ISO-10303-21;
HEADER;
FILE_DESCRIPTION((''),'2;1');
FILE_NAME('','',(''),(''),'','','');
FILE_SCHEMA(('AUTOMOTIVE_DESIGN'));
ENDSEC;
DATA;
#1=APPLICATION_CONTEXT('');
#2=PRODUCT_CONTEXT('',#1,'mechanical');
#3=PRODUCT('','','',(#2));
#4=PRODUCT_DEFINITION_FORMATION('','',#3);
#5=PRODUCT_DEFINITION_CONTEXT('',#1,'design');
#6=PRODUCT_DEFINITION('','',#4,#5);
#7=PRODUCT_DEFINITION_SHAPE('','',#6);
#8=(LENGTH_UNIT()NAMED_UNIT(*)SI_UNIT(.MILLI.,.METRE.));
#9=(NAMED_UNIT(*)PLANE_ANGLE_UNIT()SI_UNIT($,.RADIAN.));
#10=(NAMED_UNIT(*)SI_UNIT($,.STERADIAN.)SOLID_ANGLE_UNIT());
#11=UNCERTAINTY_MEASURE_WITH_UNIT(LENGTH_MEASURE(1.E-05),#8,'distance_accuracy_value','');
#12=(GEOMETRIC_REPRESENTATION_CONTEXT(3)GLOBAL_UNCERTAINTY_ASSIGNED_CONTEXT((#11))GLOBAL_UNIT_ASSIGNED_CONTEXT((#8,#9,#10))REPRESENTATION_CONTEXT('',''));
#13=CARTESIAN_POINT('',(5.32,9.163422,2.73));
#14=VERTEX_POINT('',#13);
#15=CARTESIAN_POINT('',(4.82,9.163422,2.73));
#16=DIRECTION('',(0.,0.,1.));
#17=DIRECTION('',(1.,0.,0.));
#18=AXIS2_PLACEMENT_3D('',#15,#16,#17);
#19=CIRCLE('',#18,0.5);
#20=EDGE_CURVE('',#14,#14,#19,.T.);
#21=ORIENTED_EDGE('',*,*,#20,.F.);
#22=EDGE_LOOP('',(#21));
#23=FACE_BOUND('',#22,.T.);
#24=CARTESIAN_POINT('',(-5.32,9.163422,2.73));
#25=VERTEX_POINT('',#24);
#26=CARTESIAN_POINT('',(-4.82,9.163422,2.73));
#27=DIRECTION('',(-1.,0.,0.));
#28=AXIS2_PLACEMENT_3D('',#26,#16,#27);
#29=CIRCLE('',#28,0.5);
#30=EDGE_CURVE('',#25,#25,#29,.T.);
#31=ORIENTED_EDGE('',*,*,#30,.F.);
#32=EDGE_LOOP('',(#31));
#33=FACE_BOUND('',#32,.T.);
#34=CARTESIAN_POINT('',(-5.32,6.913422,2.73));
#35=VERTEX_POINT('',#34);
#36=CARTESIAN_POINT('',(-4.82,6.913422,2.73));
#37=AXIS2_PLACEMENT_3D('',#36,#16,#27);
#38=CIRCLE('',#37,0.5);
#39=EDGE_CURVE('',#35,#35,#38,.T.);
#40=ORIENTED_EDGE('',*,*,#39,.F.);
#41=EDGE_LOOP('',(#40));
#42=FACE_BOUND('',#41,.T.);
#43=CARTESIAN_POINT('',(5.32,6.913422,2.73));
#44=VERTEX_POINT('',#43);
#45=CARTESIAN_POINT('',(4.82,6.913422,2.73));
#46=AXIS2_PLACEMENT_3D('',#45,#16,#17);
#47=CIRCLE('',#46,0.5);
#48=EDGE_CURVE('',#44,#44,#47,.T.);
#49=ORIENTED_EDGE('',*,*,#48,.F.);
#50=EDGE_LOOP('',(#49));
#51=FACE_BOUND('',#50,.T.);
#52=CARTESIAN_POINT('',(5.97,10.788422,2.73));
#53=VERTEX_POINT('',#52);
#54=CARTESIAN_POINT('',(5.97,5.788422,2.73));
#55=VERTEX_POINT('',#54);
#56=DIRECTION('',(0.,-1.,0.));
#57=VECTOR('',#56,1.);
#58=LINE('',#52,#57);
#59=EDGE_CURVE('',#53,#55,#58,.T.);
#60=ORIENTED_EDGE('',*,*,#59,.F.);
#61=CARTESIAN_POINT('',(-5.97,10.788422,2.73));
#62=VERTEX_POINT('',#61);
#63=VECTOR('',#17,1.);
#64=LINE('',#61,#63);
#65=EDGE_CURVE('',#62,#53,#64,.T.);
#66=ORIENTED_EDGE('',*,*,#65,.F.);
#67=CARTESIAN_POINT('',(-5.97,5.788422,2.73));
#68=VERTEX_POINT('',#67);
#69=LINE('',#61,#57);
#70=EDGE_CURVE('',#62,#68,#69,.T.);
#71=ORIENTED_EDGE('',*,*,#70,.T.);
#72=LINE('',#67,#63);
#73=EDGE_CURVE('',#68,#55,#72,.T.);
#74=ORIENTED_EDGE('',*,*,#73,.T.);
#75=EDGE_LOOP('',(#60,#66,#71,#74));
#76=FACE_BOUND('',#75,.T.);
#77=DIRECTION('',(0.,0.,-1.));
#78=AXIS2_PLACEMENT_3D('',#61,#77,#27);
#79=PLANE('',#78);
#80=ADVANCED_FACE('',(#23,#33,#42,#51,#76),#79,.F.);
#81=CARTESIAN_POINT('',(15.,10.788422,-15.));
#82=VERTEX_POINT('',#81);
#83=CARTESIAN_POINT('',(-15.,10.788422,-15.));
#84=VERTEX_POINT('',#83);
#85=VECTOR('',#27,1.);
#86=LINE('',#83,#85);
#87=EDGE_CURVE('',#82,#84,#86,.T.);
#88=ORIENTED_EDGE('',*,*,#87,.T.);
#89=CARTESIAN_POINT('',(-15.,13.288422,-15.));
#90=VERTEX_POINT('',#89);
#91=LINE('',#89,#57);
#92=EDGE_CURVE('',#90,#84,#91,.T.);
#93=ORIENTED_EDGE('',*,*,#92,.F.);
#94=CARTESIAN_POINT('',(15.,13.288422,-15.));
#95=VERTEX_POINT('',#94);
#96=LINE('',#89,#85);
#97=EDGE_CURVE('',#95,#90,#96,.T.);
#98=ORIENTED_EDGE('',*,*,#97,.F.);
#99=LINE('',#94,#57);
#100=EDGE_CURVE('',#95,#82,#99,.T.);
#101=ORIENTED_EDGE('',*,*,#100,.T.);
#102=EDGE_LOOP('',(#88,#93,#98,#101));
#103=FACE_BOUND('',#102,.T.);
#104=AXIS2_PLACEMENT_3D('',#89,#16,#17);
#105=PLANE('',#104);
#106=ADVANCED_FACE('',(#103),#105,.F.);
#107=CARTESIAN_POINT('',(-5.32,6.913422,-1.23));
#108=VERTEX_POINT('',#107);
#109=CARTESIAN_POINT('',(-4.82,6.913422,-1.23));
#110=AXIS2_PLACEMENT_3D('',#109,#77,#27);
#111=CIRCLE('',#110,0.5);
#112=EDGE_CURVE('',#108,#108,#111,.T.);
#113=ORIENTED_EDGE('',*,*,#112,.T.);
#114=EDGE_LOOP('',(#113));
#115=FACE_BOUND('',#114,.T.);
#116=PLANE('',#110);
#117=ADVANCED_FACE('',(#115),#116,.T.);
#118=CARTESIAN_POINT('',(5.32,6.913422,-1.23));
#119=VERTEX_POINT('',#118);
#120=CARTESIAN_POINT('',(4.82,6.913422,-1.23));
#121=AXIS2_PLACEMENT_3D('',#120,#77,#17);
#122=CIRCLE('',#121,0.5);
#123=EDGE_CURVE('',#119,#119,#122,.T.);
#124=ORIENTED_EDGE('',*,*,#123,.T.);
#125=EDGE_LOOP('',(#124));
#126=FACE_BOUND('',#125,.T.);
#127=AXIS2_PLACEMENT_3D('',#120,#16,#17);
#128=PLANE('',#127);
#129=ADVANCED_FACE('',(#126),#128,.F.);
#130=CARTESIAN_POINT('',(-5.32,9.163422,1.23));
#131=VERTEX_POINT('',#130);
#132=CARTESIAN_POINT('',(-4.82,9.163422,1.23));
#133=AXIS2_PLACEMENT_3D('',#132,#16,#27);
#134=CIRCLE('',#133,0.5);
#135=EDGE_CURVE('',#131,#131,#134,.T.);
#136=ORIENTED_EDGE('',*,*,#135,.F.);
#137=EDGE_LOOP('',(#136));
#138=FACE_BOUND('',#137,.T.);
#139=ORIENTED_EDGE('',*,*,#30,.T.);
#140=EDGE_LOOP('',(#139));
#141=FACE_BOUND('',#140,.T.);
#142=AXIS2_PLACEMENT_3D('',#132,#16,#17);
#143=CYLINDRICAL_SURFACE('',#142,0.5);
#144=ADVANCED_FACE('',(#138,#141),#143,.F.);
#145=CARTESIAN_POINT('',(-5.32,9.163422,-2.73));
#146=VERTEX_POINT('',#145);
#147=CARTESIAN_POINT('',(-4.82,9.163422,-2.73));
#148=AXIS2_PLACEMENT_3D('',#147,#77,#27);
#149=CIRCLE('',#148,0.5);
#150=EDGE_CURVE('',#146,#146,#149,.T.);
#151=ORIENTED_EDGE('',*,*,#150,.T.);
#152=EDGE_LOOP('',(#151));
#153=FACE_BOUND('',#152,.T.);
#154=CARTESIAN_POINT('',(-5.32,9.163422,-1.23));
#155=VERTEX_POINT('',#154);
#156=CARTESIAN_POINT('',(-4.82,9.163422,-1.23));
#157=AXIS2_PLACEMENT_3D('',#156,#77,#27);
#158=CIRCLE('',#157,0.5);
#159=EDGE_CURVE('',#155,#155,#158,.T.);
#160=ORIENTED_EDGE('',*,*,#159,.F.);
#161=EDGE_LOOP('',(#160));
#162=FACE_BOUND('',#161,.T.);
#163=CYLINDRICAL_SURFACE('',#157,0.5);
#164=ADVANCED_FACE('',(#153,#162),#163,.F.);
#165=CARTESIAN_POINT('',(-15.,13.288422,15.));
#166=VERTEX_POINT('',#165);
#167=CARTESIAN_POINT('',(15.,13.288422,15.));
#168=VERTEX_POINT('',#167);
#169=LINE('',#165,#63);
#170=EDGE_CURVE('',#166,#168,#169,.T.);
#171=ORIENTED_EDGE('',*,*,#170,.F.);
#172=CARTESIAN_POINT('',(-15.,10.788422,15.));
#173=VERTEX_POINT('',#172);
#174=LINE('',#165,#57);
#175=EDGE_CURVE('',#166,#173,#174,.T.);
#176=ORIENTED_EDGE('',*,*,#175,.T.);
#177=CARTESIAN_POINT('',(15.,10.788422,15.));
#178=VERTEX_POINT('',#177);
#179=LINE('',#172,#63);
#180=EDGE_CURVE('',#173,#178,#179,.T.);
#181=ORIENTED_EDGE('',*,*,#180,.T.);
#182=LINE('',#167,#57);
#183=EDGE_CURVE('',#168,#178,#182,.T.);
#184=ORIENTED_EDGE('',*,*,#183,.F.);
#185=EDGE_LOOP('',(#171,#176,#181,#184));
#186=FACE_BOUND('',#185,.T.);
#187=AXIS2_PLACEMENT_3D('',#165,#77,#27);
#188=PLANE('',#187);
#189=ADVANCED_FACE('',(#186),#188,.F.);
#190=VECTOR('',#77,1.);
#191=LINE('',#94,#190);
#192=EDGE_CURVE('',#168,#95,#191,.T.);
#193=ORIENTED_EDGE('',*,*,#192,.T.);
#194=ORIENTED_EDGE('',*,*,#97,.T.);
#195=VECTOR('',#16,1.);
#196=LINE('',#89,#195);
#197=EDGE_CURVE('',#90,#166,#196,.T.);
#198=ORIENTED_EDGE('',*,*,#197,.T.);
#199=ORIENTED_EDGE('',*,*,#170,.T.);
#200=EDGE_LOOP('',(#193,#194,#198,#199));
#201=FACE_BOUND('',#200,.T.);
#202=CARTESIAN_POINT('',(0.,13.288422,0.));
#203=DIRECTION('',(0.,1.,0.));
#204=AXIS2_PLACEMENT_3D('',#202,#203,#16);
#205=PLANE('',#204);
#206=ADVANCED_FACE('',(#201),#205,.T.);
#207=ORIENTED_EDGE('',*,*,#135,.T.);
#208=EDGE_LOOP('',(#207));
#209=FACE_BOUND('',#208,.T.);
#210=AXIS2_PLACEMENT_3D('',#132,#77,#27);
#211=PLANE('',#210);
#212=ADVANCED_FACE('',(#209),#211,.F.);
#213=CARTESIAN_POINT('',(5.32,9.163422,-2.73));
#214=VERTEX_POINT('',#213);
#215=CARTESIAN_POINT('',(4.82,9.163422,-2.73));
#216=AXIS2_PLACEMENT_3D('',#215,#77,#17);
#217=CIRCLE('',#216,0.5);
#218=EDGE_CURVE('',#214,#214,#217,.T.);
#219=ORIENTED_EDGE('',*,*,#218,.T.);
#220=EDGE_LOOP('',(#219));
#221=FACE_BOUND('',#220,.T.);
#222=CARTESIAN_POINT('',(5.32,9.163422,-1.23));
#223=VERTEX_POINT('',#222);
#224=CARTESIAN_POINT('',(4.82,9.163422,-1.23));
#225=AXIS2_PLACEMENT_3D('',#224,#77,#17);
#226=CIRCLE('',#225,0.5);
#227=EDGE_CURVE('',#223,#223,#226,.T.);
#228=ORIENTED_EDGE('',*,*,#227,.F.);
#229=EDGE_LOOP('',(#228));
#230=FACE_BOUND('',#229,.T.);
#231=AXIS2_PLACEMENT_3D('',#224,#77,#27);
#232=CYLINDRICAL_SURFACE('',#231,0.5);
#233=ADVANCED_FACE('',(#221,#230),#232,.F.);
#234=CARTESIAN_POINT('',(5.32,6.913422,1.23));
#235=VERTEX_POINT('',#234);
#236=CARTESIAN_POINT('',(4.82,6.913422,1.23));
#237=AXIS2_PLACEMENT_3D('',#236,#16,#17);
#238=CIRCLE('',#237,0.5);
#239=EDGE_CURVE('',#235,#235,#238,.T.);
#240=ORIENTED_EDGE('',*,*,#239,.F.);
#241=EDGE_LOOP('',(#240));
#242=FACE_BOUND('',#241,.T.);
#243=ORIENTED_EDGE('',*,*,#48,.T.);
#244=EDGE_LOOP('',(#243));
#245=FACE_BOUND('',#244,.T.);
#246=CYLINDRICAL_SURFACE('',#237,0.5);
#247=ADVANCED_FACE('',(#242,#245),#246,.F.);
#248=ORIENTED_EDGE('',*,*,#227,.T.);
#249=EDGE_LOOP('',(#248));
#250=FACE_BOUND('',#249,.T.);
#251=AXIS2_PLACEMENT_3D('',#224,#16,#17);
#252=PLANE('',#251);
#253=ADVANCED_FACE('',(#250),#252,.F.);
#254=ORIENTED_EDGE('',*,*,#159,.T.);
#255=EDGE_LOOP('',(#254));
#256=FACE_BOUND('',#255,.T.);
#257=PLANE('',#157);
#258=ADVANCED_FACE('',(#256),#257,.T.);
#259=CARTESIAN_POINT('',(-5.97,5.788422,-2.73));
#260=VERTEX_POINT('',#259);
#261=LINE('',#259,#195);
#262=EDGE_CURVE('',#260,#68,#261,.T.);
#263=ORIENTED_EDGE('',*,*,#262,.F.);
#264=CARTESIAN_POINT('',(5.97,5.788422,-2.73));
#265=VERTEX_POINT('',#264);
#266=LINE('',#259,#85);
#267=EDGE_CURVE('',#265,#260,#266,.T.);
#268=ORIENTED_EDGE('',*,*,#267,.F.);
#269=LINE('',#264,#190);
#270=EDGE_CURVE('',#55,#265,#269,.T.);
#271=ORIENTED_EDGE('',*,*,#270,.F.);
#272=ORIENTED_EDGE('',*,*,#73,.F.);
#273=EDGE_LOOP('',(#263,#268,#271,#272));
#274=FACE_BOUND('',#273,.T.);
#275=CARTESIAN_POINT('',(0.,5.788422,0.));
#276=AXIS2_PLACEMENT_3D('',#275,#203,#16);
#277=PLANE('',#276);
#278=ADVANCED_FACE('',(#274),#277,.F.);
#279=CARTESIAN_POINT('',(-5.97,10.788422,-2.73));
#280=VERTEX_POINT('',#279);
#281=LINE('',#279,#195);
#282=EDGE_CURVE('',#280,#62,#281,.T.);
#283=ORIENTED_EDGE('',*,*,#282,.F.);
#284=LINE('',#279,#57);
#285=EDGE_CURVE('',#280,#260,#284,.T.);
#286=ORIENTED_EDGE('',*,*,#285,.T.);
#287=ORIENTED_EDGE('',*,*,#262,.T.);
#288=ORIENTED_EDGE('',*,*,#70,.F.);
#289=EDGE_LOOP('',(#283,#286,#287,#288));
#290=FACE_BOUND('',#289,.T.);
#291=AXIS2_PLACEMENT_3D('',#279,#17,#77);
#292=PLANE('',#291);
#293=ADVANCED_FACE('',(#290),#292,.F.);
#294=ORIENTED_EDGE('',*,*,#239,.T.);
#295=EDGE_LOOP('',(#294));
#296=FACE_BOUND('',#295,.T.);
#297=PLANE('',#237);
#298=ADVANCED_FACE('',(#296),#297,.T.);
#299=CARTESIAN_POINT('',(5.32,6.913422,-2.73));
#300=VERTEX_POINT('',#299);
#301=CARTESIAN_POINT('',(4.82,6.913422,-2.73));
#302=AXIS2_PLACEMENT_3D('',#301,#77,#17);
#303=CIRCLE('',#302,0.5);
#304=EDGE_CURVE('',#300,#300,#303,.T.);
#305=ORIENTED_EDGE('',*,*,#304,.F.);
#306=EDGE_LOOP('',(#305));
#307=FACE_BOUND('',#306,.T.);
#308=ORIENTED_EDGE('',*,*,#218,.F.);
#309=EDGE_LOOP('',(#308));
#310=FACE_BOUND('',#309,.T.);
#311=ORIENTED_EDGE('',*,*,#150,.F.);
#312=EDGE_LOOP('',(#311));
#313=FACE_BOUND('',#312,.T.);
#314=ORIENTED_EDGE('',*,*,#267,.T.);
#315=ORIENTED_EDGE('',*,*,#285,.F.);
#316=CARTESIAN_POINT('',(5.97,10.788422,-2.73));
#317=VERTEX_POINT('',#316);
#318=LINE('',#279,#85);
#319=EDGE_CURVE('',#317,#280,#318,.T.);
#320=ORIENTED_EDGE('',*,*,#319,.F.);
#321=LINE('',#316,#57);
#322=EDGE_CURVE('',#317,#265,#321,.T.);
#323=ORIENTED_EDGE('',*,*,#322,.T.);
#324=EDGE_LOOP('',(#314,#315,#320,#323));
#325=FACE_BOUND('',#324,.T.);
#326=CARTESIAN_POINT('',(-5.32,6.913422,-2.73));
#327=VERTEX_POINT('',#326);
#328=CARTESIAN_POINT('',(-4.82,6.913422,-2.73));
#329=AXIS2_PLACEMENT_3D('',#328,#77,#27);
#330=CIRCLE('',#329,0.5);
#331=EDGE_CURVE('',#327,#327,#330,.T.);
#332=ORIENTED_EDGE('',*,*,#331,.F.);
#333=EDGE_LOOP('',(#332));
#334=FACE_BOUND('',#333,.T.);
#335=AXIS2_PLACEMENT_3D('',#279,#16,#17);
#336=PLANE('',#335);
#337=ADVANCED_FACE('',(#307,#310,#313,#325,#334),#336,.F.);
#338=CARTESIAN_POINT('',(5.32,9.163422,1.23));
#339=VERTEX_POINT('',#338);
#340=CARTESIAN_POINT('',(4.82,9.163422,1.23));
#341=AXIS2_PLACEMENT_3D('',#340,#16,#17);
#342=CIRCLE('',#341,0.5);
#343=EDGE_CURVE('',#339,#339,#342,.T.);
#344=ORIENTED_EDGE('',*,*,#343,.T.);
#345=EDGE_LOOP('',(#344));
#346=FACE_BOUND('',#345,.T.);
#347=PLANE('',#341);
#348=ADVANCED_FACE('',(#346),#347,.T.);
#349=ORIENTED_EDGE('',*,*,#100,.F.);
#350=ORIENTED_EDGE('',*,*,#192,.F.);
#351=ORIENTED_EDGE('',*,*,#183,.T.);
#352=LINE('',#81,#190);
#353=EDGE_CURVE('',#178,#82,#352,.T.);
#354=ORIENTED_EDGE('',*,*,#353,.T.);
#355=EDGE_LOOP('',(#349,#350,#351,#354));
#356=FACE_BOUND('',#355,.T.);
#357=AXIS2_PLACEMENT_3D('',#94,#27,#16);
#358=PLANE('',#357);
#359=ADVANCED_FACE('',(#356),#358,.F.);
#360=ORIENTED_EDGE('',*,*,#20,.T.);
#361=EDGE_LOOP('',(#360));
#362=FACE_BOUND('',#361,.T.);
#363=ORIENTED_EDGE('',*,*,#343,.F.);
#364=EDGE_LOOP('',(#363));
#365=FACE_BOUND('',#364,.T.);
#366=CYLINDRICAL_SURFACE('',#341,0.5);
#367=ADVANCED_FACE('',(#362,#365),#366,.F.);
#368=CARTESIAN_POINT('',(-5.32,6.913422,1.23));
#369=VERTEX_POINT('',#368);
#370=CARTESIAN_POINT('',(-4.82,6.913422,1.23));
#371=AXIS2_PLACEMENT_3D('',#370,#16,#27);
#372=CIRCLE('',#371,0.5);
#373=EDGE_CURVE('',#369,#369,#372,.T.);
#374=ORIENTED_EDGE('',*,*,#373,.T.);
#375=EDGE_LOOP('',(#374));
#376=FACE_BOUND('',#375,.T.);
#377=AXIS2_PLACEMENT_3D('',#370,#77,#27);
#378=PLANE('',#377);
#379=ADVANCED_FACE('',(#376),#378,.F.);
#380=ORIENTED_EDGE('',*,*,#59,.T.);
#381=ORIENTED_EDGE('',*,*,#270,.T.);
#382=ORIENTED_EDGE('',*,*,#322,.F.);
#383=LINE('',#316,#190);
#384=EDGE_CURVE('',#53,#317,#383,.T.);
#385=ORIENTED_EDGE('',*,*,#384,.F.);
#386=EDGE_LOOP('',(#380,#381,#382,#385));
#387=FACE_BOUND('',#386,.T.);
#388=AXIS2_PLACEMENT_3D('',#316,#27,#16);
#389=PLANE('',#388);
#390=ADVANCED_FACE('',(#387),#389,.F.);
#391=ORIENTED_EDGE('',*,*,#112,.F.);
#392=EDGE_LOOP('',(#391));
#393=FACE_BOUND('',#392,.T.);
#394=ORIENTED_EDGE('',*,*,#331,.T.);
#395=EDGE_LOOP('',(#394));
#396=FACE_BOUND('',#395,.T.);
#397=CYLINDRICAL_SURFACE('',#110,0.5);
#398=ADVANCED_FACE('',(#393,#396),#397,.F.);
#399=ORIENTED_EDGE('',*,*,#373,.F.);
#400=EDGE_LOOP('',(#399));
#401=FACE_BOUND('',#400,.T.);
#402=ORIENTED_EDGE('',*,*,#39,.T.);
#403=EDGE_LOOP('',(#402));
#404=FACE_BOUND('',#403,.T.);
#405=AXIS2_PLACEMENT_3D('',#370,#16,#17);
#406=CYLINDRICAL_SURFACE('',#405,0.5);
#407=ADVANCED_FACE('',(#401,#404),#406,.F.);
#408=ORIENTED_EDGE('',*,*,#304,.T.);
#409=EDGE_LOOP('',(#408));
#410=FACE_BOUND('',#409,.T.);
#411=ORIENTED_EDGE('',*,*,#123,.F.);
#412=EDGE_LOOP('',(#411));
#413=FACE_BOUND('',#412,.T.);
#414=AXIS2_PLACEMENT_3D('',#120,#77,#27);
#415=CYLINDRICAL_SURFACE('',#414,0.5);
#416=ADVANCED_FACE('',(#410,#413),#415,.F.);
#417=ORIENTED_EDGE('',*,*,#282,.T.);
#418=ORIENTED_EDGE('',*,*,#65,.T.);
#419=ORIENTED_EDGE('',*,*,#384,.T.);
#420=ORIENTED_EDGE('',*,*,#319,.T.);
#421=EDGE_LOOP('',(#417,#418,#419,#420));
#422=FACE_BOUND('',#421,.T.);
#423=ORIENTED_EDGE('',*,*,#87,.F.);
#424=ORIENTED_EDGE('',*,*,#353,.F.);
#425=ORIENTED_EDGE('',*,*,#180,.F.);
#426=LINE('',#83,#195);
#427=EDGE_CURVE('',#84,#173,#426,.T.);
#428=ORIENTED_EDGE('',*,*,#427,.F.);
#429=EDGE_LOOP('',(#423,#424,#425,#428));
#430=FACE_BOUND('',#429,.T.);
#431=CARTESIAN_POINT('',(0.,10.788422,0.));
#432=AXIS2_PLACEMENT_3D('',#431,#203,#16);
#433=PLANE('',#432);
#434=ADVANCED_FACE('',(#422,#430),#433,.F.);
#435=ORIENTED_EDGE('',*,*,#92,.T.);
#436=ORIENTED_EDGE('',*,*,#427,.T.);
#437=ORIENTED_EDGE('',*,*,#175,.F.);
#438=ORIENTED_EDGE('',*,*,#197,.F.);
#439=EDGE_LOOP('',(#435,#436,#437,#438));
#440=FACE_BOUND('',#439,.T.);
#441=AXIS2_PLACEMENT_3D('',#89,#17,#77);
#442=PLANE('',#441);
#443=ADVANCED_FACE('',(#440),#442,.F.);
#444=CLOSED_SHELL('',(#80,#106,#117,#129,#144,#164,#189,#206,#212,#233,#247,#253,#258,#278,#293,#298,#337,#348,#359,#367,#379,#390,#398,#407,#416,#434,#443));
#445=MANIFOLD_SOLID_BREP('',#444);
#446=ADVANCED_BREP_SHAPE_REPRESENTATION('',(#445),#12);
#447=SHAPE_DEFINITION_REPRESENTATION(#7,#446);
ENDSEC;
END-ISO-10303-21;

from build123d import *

# Parameters (mm, degrees)
IZIM1_W                     = 23.88
IZIM1_H                     = 10.92
Y_KSEKLIK_EKSTR_ZYON5_DEPTH = 10
IZIM4_W                     = 60
IZIM4_H                     = 60
Y_KSEKLIK_EKSTR_ZYON6_DEPTH = 5
IZIM5_R                     = 1
KES_EKSTR_ZYON1_DEPTH       = 3
IZIM6_R                     = 1
KES_EKSTR_ZYON2_DEPTH       = 3
L_EK1_SCALE                 = 0.5


with BuildPart() as part:
    # Çizim1 → Yükseklik-Ekstrüzyon5 (new body)
    with BuildSketch(Plane(origin=(0, 0, 0), x_dir=(1, 0, 0), z_dir=(0, 1, 0))):
        Rectangle(IZIM1_W, IZIM1_H)
    extrude(amount=Y_KSEKLIK_EKSTR_ZYON5_DEPTH)

    # Çizim4 → Yükseklik-Ekstrüzyon6 (add)
    with BuildSketch(Plane(origin=(0, 10, 0), x_dir=(1, 0, 0), z_dir=(0, 1, 0))):
        Rectangle(IZIM4_W, IZIM4_H)
    extrude(amount=Y_KSEKLIK_EKSTR_ZYON6_DEPTH)

    # Çizim5 → Kes-Ekstrüzyon1 (cut)
    with BuildSketch(Plane.XY.offset(5.46)):
        with Locations((9.64, 2.25)):
            Circle(IZIM5_R)
        with Locations((9.64, 6.75)):
            Circle(IZIM5_R)
        with Locations((-9.64, 6.75)):
            Circle(IZIM5_R)
        with Locations((-9.64, 2.25)):
            Circle(IZIM5_R)
    extrude(amount=-KES_EKSTR_ZYON1_DEPTH, mode=Mode.SUBTRACT)

    # Çizim6 → Kes-Ekstrüzyon2 (cut)
    with BuildSketch(Plane(origin=(0, 0, -5.46), x_dir=(-1, 0, 0), z_dir=(0, 0, -1))):
        with Locations((9.64, 2.25)):
            Circle(IZIM6_R)
        with Locations((9.64, 6.75)):
            Circle(IZIM6_R)
        with Locations((-9.64, 6.75)):
            Circle(IZIM6_R)
        with Locations((-9.64, 2.25)):
            Circle(IZIM6_R)
    extrude(amount=-KES_EKSTR_ZYON2_DEPTH, mode=Mode.SUBTRACT)


with BuildPart() as part_1:
    # Ölçek1: scaled about (0, 11.57684301, 0)
    add(part.part.scale(L_EK1_SCALE).moved(Location((0, 5.788421505, 0))))


solid = part_1.part
